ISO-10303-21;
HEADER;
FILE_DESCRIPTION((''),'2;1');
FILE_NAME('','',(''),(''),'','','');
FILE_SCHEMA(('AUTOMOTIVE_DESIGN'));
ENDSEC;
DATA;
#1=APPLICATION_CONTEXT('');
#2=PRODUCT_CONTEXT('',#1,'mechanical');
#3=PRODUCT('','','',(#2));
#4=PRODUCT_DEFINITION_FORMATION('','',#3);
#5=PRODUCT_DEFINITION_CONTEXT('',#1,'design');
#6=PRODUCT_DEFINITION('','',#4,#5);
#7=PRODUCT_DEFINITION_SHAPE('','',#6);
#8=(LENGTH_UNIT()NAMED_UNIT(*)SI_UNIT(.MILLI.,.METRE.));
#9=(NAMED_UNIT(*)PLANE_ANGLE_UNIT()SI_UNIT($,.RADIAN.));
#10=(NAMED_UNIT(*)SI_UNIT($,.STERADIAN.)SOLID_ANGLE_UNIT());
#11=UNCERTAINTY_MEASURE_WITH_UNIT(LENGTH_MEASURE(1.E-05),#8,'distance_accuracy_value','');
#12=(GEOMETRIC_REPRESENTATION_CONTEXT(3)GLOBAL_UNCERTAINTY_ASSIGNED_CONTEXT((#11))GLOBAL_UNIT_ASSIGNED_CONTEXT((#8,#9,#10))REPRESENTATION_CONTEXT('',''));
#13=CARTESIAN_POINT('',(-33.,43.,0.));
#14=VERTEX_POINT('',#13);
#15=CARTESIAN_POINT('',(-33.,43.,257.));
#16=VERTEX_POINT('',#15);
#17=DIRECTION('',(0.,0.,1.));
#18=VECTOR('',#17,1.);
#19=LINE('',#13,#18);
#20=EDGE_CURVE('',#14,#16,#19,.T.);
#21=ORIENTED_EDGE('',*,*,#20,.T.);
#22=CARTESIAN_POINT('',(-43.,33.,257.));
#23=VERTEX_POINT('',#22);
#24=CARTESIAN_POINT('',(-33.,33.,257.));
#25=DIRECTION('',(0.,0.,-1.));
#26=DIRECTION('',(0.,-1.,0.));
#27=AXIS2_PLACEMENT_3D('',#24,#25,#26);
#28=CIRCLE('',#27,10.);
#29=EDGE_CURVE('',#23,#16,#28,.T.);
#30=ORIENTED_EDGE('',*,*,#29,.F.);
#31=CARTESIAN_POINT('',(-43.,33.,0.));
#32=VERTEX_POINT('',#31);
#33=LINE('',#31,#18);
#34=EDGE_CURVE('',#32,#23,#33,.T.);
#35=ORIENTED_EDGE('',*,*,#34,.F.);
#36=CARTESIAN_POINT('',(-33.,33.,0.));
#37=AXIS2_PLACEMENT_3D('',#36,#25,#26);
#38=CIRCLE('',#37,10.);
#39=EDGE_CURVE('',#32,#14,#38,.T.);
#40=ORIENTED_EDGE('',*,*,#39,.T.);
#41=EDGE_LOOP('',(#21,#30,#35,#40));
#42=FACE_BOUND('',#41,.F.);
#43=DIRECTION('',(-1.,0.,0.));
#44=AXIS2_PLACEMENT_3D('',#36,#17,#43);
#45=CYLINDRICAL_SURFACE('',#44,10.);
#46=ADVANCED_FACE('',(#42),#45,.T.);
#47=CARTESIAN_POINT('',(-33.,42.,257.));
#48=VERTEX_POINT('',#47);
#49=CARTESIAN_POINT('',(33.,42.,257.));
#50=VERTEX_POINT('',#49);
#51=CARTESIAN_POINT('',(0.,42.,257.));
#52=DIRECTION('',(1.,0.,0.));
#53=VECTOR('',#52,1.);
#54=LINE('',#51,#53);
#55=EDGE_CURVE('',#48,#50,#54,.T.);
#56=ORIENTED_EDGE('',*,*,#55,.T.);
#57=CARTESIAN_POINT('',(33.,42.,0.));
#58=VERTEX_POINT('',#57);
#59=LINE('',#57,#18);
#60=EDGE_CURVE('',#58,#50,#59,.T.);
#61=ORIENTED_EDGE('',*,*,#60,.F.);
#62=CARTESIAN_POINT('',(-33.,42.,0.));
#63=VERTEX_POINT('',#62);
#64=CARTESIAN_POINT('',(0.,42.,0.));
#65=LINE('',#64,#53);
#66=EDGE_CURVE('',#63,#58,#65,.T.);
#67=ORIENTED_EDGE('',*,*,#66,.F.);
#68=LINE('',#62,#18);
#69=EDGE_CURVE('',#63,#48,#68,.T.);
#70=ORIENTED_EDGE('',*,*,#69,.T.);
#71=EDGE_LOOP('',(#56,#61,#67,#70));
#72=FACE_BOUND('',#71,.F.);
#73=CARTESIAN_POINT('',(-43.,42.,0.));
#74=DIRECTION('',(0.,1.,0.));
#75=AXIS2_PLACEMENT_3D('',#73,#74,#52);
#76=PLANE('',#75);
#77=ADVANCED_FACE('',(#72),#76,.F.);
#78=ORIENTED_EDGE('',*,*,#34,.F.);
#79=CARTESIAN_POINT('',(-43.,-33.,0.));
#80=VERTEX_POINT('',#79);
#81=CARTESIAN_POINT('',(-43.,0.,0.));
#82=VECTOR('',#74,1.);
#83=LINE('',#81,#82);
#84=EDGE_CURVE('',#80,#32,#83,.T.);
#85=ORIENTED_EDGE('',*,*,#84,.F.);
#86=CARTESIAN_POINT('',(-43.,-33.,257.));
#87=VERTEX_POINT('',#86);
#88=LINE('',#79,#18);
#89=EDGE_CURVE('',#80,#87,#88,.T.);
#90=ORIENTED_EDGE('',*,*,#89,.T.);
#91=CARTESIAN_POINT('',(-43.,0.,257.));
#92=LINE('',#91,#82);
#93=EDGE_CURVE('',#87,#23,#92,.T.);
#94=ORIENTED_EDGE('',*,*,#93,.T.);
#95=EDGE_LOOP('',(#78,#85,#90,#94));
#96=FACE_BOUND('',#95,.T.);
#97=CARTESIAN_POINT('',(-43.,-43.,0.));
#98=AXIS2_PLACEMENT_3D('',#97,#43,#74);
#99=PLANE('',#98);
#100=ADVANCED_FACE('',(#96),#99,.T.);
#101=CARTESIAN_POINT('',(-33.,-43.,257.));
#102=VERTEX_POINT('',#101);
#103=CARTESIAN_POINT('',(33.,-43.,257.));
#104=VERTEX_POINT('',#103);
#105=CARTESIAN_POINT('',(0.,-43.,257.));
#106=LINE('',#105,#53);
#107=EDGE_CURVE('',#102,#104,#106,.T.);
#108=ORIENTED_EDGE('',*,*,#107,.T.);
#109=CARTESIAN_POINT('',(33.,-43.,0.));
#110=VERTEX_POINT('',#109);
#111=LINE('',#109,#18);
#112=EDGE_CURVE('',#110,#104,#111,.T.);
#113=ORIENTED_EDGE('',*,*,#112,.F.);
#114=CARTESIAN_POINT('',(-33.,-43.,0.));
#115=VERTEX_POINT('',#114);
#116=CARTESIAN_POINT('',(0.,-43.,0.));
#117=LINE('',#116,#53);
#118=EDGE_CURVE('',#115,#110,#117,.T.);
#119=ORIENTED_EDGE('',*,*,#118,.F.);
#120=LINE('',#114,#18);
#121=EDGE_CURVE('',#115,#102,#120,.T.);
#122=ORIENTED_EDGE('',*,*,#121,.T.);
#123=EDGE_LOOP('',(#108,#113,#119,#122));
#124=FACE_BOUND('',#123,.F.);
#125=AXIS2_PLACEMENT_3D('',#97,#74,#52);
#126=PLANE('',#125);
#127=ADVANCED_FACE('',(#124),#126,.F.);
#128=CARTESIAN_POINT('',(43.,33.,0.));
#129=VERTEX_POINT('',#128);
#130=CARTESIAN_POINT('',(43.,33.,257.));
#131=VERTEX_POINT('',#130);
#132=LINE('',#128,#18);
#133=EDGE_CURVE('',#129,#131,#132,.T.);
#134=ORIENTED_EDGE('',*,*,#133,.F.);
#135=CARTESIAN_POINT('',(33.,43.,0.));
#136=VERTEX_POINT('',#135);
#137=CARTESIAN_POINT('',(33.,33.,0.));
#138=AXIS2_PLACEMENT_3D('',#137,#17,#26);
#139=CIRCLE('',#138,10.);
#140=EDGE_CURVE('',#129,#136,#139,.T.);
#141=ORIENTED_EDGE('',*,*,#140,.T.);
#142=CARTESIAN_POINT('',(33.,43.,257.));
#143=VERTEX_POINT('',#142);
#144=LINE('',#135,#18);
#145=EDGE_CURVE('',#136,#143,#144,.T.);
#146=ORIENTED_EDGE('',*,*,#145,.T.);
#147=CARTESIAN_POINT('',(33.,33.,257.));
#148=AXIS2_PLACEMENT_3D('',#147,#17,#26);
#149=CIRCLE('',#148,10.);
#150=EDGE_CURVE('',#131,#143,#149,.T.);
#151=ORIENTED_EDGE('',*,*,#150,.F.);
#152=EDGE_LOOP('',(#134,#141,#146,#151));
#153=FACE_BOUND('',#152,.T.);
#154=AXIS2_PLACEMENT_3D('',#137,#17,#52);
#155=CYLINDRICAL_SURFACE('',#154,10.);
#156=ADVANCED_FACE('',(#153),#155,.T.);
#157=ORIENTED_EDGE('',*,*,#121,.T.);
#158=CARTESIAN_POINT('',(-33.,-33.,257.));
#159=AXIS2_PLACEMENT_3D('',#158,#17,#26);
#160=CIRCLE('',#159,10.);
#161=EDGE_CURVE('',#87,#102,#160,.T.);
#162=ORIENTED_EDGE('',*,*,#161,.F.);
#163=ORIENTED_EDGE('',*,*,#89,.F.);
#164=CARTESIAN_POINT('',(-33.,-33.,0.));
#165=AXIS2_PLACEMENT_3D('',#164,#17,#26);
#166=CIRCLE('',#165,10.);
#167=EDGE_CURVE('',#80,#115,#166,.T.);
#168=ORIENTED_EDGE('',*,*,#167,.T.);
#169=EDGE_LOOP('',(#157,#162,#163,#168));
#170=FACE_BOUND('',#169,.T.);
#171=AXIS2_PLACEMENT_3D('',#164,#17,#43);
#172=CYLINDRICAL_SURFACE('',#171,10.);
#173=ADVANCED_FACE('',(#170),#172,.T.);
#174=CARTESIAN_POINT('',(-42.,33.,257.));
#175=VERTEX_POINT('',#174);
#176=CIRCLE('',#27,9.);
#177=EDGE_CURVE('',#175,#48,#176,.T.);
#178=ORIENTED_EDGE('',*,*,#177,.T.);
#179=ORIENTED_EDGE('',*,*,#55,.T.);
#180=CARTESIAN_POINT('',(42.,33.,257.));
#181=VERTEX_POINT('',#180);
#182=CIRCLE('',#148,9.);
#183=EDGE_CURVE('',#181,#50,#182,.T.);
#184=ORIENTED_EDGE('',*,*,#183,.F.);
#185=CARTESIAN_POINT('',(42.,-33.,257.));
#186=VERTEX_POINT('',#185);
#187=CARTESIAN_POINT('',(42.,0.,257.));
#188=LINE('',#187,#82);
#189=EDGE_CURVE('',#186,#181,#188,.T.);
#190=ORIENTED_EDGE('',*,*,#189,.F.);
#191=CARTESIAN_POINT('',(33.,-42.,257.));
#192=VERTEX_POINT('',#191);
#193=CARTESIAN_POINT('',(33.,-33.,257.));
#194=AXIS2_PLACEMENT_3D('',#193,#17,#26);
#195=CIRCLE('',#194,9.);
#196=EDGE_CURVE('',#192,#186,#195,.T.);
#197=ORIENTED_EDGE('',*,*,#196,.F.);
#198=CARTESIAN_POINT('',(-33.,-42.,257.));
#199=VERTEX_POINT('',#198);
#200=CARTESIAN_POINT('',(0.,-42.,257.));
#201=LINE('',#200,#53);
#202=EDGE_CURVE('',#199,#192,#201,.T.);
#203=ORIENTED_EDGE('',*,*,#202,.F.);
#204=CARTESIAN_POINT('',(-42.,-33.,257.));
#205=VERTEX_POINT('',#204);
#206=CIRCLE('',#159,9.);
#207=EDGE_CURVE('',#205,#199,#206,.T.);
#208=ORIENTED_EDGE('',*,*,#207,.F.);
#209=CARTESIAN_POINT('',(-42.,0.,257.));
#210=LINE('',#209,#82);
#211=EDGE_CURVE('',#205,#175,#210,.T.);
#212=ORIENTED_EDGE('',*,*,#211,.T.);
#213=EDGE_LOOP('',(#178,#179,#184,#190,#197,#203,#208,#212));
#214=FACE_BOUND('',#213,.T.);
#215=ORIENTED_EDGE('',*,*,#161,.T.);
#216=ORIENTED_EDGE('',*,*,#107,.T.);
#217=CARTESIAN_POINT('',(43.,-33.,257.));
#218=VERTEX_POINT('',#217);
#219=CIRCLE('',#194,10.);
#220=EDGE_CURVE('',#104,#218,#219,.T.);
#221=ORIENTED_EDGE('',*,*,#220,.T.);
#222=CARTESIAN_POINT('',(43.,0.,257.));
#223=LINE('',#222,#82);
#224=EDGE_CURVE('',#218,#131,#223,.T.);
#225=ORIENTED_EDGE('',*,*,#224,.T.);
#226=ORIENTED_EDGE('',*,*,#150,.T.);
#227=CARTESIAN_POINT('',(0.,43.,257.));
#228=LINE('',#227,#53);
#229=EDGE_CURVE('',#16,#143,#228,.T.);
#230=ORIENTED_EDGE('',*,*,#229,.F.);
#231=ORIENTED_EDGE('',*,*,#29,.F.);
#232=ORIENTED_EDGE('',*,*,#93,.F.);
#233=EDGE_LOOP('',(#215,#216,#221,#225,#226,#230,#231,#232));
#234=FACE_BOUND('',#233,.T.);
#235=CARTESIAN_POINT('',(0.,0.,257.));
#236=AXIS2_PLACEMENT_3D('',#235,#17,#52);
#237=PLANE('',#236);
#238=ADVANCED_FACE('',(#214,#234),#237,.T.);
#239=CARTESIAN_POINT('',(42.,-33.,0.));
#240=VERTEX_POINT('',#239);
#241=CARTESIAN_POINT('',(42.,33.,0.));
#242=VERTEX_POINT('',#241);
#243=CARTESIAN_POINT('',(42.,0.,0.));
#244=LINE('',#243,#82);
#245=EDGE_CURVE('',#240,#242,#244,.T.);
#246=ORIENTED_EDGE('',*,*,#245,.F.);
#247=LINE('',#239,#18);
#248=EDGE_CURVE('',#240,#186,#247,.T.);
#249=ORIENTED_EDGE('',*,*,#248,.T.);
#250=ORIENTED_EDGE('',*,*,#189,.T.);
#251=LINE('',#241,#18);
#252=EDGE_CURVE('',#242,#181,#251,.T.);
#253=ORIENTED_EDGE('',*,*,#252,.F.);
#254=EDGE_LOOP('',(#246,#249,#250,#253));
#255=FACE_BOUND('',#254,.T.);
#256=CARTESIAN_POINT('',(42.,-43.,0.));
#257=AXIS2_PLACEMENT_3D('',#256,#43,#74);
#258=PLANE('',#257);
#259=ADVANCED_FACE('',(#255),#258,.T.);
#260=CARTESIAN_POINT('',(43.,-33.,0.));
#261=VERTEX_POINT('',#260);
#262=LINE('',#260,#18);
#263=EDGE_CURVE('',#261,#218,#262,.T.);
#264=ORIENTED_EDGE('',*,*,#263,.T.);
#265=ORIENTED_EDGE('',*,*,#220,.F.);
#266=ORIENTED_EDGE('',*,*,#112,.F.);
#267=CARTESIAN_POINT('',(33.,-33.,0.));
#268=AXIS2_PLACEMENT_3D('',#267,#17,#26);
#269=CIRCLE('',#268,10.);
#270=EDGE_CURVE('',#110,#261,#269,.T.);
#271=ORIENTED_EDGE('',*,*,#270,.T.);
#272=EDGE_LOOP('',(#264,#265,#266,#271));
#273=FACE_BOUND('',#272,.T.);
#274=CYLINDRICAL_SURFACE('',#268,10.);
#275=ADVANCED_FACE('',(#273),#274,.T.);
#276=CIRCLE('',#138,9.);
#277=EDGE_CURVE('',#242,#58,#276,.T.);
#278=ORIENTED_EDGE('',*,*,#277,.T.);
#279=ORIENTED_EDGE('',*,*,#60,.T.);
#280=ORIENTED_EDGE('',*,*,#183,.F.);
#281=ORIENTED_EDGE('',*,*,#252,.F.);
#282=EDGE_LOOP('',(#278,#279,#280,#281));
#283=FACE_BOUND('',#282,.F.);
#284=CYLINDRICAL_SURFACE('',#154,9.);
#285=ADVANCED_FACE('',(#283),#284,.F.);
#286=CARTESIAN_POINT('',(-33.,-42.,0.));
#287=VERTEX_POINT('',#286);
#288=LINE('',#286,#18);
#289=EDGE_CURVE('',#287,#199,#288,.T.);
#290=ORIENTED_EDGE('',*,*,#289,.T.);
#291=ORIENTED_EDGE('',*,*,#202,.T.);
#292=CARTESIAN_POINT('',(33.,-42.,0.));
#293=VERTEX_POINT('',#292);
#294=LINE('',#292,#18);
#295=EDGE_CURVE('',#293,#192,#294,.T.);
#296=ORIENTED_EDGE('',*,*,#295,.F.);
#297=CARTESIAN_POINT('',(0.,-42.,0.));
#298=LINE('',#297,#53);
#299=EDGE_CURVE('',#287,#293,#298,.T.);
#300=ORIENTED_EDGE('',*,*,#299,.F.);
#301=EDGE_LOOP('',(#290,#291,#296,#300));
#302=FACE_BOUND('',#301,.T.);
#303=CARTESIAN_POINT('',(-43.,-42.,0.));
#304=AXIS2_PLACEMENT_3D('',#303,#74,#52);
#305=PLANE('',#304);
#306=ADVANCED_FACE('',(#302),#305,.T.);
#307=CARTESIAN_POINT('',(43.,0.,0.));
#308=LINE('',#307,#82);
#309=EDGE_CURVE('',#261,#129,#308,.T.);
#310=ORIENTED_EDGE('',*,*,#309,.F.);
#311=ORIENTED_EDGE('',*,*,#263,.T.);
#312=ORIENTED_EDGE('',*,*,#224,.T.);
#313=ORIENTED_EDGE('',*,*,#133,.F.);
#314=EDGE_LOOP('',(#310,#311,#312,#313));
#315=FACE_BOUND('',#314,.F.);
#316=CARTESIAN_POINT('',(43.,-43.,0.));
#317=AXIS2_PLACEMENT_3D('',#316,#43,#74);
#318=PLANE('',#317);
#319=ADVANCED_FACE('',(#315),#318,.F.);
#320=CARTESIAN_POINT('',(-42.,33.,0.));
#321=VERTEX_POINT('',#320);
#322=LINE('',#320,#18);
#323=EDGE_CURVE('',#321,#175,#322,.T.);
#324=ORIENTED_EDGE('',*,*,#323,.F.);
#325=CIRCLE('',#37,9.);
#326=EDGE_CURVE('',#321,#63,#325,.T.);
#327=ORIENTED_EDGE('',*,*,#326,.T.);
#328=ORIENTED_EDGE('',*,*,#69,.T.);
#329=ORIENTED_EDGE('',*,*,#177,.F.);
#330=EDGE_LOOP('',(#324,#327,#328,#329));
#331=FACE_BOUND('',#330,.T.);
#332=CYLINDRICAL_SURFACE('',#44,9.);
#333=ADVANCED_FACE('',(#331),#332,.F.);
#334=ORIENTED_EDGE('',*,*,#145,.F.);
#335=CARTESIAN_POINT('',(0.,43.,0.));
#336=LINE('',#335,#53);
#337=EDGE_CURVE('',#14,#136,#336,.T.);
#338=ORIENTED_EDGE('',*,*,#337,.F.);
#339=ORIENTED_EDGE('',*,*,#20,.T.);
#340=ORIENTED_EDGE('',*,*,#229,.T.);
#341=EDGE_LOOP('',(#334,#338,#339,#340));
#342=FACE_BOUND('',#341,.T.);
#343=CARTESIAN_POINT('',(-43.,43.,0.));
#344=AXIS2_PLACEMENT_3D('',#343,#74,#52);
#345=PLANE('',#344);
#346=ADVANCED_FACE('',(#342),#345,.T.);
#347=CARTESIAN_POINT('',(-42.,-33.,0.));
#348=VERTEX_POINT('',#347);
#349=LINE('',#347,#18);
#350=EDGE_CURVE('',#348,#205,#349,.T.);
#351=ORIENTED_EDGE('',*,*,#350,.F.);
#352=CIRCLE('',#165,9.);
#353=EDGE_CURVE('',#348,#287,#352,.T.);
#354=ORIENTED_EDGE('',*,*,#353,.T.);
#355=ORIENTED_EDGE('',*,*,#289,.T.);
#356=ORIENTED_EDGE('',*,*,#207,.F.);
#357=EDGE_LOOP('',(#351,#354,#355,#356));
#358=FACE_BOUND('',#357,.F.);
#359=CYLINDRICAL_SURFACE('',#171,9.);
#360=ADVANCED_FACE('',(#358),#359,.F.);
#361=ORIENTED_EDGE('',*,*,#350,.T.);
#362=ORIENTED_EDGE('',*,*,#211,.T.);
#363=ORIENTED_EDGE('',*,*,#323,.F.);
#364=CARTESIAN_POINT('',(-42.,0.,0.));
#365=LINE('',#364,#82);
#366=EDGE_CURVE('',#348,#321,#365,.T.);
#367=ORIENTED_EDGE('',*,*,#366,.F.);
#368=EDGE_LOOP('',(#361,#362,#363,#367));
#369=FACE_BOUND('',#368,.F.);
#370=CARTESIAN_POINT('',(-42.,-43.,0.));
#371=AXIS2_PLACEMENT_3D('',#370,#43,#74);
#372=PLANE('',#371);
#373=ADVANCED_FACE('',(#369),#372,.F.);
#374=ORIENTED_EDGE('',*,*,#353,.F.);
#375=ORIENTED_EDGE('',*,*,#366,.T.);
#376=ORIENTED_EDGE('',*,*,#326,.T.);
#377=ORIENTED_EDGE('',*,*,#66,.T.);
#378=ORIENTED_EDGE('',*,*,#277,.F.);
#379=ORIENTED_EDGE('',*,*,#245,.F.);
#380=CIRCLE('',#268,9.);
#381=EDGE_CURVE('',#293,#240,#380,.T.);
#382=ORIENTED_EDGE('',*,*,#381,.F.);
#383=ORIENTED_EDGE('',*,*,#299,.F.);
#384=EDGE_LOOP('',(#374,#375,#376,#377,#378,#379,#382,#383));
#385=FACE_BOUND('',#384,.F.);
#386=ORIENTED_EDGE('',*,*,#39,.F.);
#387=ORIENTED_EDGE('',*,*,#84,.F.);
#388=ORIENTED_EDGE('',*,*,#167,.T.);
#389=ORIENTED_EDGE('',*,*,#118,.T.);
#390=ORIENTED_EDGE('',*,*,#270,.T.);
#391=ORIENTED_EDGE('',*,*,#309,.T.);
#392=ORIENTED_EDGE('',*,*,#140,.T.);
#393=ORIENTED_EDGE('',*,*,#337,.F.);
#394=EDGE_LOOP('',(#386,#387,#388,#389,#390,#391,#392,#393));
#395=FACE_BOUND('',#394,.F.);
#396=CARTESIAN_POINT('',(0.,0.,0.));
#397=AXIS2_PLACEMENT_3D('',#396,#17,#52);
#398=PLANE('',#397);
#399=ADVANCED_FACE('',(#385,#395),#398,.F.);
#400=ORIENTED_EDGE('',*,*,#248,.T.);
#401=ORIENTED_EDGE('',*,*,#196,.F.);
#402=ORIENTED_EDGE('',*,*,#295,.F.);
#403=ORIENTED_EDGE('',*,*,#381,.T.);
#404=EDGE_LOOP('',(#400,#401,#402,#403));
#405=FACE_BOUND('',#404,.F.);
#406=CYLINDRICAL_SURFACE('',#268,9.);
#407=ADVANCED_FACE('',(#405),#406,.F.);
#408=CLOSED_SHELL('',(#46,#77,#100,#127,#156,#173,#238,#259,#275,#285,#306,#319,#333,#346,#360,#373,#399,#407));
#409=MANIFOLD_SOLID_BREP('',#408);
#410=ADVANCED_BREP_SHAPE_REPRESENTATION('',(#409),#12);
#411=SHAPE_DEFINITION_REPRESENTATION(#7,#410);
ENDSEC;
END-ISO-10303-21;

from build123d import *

# Parameters (mm, degrees)
F0_W     = 86
F0_H     = 86
F1_DEPTH = 257
F2_R     = 10
F3_T     = -1


with BuildPart() as f1:
    # F0 (on Top) → F1 (new body)
    with BuildSketch(Plane.XY):
        Rectangle(F0_W, F0_H)
    extrude(amount=F1_DEPTH)

    # F2
    f2_edges = [f1.edges().sort_by_distance(p)[0] for p in [
        (43, 43, 128.5),
        (-43, -43, 128.5),
        (43, -43, 128.5),
        (-43, 43, 128.5),
    ]]
    fillet(f2_edges, radius=F2_R)

    # F3
    f3_openings = [f1.faces().sort_by_distance(p)[0] for p in [
        (0, 0, 257),
        (0, 0, 0),
    ]]
    offset(amount=F3_T, openings=f3_openings)


solid = f1.part
